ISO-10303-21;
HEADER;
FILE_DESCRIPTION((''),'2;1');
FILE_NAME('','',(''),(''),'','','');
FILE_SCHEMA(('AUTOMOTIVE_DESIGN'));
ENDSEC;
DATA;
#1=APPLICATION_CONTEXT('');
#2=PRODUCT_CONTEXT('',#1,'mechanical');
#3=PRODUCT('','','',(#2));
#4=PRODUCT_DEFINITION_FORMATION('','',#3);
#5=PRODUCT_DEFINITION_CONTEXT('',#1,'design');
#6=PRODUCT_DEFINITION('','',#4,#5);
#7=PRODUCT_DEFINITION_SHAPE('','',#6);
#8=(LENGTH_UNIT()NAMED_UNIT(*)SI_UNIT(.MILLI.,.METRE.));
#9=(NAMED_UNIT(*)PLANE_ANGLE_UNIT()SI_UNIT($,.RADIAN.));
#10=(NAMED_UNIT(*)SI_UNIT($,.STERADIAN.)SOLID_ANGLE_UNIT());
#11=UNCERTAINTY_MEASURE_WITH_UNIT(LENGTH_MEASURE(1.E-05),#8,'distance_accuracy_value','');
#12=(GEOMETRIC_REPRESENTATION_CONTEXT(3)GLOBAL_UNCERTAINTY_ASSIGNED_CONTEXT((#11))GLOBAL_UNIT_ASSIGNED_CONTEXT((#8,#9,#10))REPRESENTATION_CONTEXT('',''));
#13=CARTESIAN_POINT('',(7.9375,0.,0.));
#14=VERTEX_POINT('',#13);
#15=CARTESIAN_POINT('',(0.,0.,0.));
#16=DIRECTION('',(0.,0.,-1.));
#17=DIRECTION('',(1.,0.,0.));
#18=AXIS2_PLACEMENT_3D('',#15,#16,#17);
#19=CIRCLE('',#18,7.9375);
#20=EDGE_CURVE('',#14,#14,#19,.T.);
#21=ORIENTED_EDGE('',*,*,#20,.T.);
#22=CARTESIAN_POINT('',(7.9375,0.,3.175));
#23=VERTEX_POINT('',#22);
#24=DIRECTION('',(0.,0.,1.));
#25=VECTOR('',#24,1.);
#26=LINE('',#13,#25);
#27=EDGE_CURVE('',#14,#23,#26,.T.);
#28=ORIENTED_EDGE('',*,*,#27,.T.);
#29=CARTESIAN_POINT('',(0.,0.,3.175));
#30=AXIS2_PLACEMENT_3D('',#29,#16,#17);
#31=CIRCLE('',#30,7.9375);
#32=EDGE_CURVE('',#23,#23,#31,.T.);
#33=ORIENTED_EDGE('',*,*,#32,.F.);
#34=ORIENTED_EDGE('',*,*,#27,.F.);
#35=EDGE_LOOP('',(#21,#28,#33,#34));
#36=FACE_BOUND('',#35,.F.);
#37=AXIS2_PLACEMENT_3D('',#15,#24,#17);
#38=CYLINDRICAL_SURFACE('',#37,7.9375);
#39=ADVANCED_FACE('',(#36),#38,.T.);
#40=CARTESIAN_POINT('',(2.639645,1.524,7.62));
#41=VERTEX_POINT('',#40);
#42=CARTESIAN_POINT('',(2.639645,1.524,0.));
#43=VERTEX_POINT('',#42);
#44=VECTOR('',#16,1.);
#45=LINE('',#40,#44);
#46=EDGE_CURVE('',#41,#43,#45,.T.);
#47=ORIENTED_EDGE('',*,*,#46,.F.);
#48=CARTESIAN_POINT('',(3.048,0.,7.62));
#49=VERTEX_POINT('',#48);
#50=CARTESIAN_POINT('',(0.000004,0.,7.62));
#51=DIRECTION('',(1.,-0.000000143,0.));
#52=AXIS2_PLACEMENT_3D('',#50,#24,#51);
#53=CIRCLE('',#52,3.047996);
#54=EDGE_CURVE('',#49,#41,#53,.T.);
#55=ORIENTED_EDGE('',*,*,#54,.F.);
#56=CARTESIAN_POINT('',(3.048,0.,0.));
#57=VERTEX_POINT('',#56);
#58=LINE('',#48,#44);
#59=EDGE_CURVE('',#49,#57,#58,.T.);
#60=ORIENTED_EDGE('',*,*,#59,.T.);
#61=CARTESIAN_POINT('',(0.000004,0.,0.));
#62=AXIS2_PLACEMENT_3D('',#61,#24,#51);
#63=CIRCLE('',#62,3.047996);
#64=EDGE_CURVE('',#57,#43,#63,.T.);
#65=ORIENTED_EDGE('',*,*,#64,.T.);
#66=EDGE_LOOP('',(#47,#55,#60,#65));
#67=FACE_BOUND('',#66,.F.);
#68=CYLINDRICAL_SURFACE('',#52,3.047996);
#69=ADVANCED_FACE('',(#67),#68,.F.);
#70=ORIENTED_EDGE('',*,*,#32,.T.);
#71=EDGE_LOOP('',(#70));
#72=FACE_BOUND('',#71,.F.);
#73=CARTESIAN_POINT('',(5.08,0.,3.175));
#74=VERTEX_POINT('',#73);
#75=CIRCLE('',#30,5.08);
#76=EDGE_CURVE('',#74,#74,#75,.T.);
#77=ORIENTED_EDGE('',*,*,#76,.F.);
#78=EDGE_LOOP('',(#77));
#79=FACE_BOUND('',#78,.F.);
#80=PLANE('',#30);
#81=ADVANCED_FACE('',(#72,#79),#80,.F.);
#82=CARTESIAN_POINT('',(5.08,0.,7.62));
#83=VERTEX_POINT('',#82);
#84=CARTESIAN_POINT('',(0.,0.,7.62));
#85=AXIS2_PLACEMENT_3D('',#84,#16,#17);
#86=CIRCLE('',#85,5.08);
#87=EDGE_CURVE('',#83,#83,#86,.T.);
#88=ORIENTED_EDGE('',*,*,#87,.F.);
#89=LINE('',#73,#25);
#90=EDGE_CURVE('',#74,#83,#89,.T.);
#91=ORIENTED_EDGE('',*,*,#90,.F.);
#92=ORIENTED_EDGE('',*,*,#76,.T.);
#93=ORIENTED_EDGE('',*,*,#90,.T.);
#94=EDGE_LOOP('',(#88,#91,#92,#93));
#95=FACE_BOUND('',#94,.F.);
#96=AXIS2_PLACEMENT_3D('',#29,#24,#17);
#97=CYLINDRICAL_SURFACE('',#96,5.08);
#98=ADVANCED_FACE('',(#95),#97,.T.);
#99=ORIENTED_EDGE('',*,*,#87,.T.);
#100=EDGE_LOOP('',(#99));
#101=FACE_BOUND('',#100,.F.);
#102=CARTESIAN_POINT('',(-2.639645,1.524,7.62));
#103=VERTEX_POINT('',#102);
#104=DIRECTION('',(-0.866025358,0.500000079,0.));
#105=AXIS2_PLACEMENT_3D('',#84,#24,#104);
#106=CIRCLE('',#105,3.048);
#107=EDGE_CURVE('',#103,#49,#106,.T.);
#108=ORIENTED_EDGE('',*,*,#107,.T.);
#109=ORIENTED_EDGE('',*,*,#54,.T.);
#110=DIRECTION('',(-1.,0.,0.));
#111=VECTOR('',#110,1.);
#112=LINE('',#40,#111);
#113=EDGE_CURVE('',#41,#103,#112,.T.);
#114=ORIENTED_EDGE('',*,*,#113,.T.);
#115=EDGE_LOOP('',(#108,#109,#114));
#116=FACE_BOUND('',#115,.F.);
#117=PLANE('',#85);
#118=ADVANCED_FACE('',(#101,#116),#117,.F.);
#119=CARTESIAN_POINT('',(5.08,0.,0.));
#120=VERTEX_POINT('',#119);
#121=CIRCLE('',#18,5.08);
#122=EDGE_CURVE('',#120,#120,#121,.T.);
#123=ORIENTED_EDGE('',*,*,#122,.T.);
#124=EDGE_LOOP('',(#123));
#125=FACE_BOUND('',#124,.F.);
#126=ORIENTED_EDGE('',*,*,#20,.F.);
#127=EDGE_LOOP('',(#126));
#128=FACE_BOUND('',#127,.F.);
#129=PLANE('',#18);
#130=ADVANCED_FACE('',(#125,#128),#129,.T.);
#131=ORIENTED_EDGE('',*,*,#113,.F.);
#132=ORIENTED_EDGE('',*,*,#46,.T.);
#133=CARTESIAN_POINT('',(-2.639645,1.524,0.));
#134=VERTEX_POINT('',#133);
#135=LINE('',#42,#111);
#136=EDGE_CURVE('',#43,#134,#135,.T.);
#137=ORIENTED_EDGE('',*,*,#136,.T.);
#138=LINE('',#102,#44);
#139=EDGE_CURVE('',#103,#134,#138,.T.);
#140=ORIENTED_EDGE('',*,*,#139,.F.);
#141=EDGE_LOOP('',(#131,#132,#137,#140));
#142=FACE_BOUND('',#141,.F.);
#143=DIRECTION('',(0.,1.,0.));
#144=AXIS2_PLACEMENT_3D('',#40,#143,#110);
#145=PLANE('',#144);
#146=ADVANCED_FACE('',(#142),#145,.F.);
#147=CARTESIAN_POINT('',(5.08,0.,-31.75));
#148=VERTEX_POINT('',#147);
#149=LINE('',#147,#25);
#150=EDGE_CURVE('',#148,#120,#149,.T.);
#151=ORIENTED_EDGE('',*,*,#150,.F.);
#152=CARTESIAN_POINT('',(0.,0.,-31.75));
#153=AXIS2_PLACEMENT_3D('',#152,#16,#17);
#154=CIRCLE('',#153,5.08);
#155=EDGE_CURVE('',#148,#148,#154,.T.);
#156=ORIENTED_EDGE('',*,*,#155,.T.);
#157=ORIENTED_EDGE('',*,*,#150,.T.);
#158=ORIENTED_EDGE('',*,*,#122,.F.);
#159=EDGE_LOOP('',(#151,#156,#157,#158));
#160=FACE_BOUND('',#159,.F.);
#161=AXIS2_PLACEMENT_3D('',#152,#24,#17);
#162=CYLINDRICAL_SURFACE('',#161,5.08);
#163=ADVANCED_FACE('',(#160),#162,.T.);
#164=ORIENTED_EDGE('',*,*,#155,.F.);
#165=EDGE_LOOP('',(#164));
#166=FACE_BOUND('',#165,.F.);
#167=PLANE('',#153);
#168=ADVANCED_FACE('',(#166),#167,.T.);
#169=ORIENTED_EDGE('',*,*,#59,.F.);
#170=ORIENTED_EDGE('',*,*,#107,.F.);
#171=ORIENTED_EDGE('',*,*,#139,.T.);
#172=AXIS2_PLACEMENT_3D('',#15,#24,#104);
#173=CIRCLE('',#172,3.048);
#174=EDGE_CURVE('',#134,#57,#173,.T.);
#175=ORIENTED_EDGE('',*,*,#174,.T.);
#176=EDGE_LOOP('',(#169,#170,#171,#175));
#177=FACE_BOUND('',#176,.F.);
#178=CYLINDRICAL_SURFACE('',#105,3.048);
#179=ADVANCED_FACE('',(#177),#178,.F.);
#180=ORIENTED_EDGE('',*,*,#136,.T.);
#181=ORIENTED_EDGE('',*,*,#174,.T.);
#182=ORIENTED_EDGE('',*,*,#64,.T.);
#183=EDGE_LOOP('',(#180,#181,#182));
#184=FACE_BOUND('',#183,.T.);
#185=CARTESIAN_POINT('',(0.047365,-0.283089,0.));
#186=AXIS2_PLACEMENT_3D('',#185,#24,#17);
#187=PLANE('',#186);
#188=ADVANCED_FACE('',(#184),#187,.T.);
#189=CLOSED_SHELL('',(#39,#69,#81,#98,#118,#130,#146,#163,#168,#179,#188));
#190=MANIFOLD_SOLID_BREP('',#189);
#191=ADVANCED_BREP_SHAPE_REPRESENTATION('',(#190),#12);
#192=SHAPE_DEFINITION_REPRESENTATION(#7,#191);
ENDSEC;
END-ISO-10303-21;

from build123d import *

# Parameters (mm, degrees)
F3_DEPTH = 7.62


with BuildPart() as f1:
    # F0 (on Front) → F1 (revolve)
    with BuildSketch(Plane.XZ):
        Polygon((5.08, 7.62), (0, 7.62), (0, -31.75), (5.08, -31.75), (5.08, 0), (7.9375, 0), (7.9375, 3.175), (5.08, 3.175), align=None)
    revolve(axis=Axis((0, 0, 1.364464), (0, 0, -1)))

    # F2 (on face) → F3 (cut)
    with BuildSketch(Plane.XY.offset(7.62)):
        with BuildLine():
            ThreePointArc((-2.639645, 1.524), (-0.78888, -2.944142), (3.048, 0))
            ThreePointArc((3.048, 0), (2.944142, 0.78888), (2.639645, 1.524))
            Line((2.639645, 1.524), (-2.639645, 1.524))
        make_face()
    extrude(amount=-F3_DEPTH, mode=Mode.SUBTRACT)


solid = f1.part
